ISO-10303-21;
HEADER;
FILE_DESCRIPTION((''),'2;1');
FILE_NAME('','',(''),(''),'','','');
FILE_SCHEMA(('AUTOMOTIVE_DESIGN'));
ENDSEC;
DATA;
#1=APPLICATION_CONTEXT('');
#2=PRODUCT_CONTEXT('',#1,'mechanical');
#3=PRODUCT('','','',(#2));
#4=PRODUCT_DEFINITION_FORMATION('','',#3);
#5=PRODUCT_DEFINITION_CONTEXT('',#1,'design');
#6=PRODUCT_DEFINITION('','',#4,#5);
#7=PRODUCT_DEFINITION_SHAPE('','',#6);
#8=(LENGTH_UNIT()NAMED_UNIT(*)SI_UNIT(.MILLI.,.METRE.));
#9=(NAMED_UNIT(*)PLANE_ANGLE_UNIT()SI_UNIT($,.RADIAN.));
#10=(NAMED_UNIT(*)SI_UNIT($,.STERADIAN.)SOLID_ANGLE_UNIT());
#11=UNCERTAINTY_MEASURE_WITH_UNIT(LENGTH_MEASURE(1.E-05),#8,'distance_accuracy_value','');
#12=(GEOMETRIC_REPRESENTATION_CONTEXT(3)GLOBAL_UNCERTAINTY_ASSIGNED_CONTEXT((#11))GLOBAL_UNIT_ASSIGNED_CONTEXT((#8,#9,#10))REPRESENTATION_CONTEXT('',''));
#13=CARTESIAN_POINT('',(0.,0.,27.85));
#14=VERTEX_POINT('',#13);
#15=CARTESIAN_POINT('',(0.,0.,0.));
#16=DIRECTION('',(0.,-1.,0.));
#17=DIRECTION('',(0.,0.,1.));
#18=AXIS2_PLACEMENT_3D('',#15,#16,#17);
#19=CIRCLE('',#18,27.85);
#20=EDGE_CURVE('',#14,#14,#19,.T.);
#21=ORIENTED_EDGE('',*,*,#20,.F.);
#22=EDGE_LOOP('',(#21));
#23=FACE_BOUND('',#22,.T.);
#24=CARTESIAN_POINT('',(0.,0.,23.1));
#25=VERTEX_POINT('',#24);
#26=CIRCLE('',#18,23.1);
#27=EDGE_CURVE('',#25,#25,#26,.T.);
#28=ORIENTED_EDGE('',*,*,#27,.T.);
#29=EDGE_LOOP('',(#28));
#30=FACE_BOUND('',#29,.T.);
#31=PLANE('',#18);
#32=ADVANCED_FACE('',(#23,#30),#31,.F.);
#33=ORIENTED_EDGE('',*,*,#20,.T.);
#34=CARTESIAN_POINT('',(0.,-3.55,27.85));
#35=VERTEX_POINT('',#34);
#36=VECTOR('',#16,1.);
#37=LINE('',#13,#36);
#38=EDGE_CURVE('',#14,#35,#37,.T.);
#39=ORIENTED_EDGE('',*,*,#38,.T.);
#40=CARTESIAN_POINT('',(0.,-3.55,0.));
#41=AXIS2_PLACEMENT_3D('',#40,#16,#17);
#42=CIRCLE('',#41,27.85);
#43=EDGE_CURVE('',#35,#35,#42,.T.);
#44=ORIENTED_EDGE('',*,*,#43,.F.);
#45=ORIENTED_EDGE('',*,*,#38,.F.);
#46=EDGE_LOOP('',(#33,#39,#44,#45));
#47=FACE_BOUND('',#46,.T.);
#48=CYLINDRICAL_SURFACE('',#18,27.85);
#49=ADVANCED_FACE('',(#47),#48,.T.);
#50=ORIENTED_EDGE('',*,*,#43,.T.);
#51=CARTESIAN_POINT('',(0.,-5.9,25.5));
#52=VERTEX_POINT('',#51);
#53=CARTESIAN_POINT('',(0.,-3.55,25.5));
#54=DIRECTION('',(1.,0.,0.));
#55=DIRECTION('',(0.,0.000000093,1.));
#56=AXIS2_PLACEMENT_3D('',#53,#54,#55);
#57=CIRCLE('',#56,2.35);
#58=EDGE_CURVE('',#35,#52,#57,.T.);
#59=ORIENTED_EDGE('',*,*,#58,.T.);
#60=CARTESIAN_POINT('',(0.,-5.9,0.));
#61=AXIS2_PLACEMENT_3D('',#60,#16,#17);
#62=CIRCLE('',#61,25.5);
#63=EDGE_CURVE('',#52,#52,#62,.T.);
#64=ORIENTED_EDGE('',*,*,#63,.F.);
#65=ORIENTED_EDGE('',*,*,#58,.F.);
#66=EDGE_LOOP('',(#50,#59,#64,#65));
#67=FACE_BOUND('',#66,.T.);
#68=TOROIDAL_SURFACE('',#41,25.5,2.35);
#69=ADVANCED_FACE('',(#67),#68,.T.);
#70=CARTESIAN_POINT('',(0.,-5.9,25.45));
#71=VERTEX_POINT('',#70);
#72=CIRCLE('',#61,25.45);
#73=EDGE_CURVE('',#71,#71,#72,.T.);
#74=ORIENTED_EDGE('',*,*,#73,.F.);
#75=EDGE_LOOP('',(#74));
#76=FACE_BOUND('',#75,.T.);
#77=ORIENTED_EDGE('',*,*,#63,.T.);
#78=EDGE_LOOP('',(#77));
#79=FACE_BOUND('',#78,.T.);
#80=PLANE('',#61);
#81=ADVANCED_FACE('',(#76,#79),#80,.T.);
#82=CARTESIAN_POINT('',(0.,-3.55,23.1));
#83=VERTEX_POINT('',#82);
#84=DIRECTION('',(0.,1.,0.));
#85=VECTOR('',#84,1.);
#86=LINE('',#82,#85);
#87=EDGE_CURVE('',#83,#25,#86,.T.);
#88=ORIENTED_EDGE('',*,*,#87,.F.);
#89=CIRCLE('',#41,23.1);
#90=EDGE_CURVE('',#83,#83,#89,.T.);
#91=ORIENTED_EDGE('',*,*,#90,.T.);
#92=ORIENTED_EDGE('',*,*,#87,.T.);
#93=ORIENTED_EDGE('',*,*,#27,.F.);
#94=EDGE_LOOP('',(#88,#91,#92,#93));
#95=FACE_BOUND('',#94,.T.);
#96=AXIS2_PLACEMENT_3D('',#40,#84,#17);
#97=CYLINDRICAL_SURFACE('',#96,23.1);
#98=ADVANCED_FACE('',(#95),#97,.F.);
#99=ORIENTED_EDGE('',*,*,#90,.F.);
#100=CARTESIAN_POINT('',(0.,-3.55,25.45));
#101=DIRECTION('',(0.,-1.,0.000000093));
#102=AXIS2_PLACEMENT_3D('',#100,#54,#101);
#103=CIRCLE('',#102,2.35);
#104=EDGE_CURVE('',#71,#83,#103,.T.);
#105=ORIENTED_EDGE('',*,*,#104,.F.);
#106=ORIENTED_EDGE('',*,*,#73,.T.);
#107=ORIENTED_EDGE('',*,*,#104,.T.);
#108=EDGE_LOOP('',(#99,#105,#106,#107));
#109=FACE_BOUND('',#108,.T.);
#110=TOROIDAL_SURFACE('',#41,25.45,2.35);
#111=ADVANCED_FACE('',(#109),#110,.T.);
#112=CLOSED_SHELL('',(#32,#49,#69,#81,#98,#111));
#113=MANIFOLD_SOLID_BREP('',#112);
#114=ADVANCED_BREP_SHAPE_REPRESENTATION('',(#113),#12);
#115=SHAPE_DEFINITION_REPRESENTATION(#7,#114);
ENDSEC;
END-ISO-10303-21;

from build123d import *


with BuildPart() as f1:
    # F0 (on Right) → F1 (revolve)
    with BuildSketch(Plane.YZ):
        with BuildLine():
            Line((-3.55, 23.1), (0, 23.1))
            Line((0, 23.1), (0, 27.85))
            Line((0, 27.85), (-3.55, 27.85))
            ThreePointArc((-3.55, 27.85), (-5.211701, 27.161701), (-5.9, 25.5))
            Line((-5.9, 25.5), (-5.9, 25.45))
            ThreePointArc((-5.9, 25.45), (-5.211701, 23.788299), (-3.55, 23.1))
        make_face()
    revolve(axis=Axis((0, -17.209843, 0), (0, -1, 0)))


solid = f1.part
